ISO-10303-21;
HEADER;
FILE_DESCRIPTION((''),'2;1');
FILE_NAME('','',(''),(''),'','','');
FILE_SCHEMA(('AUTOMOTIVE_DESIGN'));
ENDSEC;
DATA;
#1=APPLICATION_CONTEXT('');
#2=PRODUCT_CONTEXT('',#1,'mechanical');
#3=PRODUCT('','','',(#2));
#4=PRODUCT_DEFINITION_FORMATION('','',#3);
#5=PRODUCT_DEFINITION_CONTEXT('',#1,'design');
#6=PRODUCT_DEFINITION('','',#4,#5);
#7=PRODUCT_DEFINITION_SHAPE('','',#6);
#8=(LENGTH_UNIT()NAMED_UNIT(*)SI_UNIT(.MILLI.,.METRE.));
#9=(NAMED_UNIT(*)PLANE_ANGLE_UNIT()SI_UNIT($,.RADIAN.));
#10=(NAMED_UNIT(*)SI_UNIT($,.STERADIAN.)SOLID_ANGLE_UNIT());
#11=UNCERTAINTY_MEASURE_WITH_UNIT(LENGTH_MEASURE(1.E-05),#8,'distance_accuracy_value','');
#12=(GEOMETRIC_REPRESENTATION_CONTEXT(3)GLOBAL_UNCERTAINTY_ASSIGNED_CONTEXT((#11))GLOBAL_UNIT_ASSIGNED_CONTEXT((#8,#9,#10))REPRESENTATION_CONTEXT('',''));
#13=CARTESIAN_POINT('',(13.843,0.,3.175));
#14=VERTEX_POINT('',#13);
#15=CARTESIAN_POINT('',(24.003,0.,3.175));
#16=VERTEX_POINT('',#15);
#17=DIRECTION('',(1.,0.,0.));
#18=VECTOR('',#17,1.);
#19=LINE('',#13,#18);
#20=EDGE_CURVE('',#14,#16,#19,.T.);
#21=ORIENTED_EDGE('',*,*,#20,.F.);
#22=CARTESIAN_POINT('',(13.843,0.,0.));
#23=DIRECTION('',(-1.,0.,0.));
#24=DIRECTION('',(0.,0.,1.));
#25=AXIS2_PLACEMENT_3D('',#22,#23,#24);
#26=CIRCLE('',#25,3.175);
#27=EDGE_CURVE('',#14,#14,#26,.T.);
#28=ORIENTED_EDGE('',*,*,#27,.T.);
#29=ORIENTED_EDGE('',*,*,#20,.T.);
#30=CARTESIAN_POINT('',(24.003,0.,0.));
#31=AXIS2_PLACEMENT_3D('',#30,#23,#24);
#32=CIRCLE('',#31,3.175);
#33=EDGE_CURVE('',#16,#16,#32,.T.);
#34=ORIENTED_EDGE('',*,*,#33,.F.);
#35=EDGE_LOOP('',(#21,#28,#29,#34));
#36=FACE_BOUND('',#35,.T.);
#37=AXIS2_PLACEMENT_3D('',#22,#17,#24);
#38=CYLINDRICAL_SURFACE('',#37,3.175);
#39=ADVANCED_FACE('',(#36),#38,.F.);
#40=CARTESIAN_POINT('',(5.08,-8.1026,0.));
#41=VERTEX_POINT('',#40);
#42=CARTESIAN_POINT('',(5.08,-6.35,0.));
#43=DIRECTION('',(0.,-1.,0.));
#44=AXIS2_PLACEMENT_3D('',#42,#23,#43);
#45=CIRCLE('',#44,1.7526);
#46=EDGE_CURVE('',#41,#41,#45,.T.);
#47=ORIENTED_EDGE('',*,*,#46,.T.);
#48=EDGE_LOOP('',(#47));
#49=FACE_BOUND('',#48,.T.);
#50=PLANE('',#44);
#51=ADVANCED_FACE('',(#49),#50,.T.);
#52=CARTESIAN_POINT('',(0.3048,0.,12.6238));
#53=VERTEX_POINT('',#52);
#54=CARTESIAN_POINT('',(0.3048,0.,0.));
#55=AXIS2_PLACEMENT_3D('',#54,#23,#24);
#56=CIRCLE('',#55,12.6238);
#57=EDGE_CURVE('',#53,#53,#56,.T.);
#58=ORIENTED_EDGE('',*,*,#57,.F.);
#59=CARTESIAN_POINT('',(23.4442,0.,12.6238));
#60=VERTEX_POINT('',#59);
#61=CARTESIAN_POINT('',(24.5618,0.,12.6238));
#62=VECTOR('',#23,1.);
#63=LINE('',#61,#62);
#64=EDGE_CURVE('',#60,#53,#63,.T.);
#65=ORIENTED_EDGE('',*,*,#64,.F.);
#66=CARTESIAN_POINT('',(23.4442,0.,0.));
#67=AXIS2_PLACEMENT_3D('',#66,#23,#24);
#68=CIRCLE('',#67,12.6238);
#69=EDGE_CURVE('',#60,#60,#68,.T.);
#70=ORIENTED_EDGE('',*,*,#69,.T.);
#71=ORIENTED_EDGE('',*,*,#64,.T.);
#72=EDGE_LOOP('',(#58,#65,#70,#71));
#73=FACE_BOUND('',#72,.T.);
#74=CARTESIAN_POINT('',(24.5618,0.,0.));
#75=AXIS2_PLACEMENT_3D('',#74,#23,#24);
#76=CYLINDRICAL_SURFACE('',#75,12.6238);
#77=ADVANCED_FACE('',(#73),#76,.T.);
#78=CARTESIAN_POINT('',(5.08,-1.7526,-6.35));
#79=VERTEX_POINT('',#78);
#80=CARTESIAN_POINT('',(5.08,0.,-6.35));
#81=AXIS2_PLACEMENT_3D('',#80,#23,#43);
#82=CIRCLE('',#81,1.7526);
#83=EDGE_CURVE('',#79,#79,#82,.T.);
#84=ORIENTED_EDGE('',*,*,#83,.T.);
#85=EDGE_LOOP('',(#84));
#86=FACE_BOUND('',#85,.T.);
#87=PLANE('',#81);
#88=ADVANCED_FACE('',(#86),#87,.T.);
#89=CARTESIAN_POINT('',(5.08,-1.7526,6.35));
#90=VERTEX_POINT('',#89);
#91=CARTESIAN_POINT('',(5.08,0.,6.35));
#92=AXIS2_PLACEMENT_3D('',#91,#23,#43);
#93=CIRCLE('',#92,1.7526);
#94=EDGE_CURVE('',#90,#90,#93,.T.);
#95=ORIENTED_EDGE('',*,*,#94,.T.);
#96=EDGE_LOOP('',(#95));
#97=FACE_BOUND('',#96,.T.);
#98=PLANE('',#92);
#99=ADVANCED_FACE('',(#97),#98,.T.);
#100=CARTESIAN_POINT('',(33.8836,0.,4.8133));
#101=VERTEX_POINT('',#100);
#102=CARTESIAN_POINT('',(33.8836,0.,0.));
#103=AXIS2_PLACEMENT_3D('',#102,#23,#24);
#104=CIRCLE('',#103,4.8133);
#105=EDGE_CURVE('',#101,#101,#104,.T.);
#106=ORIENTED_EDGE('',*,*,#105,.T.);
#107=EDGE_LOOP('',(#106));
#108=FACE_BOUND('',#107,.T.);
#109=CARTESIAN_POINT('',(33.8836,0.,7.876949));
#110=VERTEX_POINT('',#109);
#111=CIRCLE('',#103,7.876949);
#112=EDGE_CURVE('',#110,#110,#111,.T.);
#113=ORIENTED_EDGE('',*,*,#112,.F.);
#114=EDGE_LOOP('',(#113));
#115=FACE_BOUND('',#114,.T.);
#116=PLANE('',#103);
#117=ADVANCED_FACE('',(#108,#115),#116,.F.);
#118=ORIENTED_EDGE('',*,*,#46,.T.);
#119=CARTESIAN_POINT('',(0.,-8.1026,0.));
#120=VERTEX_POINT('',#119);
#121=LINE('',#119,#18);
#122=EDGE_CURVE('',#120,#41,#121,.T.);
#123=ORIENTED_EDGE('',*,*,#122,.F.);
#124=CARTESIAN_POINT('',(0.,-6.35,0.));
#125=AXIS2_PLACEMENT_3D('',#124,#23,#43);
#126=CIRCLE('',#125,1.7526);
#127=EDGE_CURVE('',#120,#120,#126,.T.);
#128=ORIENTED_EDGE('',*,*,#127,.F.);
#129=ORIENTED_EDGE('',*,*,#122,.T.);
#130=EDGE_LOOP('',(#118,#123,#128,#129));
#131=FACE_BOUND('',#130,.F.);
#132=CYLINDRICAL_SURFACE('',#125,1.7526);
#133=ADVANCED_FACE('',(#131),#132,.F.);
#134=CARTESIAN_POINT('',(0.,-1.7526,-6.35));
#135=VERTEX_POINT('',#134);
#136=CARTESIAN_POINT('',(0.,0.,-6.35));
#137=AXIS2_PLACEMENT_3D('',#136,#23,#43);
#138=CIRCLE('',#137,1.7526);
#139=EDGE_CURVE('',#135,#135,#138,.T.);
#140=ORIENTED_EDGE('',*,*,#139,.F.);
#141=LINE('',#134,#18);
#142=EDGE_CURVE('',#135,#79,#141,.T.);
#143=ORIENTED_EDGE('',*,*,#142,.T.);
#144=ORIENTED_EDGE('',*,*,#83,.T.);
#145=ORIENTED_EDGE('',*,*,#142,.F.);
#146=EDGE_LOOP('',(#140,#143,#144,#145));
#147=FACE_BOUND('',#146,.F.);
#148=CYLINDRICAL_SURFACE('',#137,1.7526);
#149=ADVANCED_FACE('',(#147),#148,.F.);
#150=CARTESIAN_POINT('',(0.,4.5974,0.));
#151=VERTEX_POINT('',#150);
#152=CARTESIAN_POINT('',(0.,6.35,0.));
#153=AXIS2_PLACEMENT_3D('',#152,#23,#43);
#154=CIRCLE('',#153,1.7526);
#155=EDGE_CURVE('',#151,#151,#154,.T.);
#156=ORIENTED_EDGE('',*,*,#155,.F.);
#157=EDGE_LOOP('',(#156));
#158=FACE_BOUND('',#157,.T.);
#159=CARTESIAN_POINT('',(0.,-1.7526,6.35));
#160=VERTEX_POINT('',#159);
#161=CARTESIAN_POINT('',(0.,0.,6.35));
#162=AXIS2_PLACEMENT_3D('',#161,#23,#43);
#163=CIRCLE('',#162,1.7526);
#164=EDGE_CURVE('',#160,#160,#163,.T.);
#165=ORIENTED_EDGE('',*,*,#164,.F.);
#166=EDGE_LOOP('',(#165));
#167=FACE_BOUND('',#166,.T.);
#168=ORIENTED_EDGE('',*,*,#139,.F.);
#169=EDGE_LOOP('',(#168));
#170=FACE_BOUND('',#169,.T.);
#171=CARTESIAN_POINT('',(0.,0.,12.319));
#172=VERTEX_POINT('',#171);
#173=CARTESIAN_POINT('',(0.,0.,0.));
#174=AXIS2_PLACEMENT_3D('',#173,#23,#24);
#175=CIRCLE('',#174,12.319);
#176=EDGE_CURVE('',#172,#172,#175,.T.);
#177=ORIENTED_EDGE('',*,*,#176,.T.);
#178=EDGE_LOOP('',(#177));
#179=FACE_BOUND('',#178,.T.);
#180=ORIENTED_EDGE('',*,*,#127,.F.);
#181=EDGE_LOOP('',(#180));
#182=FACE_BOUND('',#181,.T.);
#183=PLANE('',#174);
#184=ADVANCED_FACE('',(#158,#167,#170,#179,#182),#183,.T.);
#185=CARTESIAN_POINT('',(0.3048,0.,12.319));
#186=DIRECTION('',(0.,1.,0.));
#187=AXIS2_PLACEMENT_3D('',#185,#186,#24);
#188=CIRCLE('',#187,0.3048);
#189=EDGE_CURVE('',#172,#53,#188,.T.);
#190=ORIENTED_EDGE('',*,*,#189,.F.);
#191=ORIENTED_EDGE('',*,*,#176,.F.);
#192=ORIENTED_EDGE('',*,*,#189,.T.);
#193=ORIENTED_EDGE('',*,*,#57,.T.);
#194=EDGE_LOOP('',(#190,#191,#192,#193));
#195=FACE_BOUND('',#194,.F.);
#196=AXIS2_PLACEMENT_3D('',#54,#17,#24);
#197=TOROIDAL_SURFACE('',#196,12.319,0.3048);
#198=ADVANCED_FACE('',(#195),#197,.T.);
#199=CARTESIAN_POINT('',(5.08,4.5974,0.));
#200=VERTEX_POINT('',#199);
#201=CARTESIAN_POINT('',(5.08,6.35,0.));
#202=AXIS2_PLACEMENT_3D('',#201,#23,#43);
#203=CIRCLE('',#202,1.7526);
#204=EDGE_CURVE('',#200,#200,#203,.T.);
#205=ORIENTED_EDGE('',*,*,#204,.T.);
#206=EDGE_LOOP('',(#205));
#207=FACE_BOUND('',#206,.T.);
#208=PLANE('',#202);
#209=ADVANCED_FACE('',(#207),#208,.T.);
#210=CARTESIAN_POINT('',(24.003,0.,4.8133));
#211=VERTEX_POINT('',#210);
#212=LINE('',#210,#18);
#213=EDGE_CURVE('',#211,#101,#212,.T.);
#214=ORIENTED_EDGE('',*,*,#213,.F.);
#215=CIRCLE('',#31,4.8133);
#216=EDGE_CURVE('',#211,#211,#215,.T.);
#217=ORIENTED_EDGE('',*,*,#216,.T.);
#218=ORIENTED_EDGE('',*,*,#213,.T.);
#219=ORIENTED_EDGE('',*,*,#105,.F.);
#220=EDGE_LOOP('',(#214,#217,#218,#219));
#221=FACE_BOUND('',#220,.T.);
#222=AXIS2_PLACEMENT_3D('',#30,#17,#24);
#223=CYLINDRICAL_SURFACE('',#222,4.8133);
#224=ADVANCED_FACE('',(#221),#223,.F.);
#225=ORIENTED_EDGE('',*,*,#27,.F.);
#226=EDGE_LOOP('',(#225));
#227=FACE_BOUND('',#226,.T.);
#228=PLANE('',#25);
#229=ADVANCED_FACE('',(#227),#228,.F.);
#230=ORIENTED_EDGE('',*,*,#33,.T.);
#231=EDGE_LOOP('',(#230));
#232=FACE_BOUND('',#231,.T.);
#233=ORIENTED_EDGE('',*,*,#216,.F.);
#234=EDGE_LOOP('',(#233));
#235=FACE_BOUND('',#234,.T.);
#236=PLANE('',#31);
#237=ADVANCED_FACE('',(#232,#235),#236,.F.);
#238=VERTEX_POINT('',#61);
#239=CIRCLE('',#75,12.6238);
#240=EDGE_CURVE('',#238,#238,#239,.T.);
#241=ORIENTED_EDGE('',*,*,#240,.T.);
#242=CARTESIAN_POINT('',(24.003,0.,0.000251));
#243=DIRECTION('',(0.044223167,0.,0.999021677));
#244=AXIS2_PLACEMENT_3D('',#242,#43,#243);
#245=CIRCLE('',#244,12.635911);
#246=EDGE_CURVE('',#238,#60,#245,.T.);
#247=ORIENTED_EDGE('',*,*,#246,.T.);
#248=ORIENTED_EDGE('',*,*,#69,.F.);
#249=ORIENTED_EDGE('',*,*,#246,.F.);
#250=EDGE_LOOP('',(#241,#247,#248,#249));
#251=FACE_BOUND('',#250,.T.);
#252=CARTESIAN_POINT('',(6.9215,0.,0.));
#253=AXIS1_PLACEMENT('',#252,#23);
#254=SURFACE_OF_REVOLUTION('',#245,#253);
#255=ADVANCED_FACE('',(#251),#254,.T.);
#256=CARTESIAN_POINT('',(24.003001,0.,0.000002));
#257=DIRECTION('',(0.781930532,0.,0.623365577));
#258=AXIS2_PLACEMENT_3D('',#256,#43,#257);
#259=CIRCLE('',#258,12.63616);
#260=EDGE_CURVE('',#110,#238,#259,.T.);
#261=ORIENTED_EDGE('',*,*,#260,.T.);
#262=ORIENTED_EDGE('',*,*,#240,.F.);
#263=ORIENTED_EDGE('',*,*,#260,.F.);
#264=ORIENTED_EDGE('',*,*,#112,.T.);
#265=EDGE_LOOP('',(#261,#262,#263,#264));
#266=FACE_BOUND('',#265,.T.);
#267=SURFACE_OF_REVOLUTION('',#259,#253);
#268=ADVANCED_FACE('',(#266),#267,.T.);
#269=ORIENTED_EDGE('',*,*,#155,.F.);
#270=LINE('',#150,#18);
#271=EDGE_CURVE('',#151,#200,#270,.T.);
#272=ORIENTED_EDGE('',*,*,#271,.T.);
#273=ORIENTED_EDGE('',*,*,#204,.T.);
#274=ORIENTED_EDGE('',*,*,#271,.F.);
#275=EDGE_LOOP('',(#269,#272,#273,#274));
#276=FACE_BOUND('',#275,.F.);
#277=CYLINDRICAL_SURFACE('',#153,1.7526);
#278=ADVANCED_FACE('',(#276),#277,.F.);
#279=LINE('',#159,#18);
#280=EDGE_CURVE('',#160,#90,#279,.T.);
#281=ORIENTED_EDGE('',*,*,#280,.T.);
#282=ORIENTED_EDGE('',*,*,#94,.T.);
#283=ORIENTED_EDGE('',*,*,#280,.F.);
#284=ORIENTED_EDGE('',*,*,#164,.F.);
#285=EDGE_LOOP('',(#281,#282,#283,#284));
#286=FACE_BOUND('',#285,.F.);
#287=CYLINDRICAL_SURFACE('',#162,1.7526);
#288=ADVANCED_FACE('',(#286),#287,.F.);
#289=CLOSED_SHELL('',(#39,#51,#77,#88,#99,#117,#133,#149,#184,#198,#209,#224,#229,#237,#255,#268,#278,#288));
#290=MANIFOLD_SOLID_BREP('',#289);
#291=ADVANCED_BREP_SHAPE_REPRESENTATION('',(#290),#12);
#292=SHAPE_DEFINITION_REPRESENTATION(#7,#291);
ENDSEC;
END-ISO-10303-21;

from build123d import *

# Parameters (mm, degrees)
F2_R     = 1.7526
F3_DEPTH = 5.08
F4_R     = 0.3048


with BuildPart() as f1:
    # F0 (on Front) → F1 (revolve)
    with BuildSketch(Plane.XZ):
        Polygon((0, 12.6238), (0, 0), (13.843, 0), (13.843, 3.175), (24.003, 3.175), (24.003, 4.8133), (24.5618, 4.8133), (24.5618, 12.6238), (23.4442, 12.6238), align=None)
        with BuildLine():
            ThreePointArc((24.5618, 12.6238), (24.003, 12.636162), (23.4442, 12.6238))
            Line((23.4442, 12.6238), (24.5618, 12.6238))
        make_face()
        with BuildLine():
            ThreePointArc((33.8836, 7.876949), (29.73697, 11.260292), (24.5618, 12.6238))
            Line((24.5618, 12.6238), (24.5618, 4.8133))
            Line((24.5618, 4.8133), (33.8836, 4.8133))
            Line((33.8836, 4.8133), (33.8836, 7.876949))
        make_face()
    revolve(axis=Axis((6.9215, 0, 0), (-1, 0, 0)))

    # F2 (on face) → F3 (cut)
    with BuildSketch(Plane(origin=(0, 0, 0), x_dir=(0, -1, 0), z_dir=(-1, 0, 0))):
        with Locations((0, 6.35)):
            Circle(F2_R)
        with Locations((-6.35, 0)):
            Circle(F2_R)
        with Locations((0, -6.35)):
            Circle(F2_R)
        with Locations((6.35, 0)):
            Circle(F2_R)
    extrude(amount=-F3_DEPTH, mode=Mode.SUBTRACT)

    # F4
    f4_edges = [f1.edges().sort_by_distance(p)[0] for p in [
        (0, 0, -12.6238),
    ]]
    fillet(f4_edges, radius=F4_R)


solid = f1.part
